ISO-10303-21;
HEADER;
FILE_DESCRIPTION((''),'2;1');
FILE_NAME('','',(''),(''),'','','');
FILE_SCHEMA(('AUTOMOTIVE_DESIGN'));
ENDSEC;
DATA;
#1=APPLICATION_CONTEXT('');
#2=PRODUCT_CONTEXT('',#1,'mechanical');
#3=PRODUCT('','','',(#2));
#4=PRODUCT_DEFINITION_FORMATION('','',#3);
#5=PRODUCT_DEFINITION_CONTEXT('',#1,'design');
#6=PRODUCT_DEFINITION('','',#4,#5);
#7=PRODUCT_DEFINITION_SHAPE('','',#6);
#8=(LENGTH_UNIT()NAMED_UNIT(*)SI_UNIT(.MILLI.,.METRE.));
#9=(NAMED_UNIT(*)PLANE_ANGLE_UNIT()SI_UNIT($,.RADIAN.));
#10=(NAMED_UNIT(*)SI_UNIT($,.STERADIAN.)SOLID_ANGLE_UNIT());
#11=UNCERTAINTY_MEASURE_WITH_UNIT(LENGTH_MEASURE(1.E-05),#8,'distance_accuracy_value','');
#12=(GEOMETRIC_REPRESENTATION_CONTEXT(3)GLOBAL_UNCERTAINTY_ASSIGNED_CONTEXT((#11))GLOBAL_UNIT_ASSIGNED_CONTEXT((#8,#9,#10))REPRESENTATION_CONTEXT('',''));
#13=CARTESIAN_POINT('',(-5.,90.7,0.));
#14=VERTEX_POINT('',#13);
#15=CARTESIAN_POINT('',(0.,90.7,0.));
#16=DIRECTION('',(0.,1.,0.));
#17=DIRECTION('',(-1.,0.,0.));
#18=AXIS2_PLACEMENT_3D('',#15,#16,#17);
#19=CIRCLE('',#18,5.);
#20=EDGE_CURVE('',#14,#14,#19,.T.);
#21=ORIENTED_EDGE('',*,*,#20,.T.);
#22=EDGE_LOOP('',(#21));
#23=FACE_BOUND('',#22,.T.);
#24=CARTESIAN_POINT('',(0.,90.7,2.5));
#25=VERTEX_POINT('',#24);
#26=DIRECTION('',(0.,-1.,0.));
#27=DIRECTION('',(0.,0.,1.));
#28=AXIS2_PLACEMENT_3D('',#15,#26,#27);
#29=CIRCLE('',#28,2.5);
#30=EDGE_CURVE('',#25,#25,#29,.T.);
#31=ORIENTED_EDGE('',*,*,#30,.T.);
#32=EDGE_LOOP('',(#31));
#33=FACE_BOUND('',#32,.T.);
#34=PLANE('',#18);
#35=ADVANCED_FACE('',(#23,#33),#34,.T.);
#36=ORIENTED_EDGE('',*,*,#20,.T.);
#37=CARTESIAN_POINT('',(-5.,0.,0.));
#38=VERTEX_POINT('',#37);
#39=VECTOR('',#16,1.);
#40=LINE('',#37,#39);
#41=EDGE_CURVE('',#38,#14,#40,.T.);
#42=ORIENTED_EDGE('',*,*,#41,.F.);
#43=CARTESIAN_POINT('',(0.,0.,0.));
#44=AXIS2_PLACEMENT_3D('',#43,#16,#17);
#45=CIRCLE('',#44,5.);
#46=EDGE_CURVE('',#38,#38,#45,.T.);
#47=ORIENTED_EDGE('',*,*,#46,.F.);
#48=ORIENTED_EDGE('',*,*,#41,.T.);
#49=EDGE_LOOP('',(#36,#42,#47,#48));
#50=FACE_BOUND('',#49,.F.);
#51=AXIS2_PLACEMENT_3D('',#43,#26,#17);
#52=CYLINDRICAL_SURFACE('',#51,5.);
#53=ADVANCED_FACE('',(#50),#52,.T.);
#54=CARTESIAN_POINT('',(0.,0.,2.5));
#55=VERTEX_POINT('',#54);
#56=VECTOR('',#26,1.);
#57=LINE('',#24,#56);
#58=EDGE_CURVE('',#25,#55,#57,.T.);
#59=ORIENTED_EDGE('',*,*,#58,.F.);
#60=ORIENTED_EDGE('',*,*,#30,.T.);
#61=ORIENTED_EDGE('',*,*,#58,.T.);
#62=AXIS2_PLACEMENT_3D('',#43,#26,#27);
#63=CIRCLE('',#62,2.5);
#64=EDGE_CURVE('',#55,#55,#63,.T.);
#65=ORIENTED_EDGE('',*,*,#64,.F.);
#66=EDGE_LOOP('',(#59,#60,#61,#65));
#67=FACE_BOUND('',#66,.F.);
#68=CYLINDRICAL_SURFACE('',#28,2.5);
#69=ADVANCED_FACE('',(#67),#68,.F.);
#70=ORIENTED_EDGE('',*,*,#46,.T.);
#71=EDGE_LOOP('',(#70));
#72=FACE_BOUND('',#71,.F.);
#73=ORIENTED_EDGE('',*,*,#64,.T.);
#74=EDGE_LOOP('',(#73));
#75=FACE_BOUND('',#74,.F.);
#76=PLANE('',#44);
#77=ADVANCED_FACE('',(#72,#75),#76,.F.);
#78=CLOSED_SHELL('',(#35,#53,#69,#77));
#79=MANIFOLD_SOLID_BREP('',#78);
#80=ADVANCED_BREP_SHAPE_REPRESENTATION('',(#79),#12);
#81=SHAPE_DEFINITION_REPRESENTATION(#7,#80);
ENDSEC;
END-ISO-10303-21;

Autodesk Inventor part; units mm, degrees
ref_plane "YZ Plane" through (0, 0, 0) normal (1, 0, 0) x (0, 1, 0)
ref_plane "XZ Plane" through (0, 0, 0) normal (0, 1, 0) x (-1, 0, 0)
ref_plane "XY Plane" through (0, 0, 0) normal (0, 0, 1) x (1, 0, 0)
sketch "Boceto3" plane through (0, 0, 0) normal (0, 1, 0) x (-1, 0, 0)
  circle A0 centre (0, 0) radius 5
  dimension "d10" = 10
extrude "Extrusión2" add sketch "Boceto3" along normal blind 90.7
extrude "Extrusión3" cut sketch "Boceto3" along normal blind 90.7
extrude "Extrusión4" add sketch "Boceto3" along normal blind 90.7
sketch "Boceto4" plane through (0, 90.7, 0) normal (0, 1, 0) x (1, 0, 0)
  point P0 (0, 0)
hole "Agujero2" at (0, 90.7, 0) direction (0, -1, 0) diameter 5 end through all
properties part number "soprye para base bobinas"
